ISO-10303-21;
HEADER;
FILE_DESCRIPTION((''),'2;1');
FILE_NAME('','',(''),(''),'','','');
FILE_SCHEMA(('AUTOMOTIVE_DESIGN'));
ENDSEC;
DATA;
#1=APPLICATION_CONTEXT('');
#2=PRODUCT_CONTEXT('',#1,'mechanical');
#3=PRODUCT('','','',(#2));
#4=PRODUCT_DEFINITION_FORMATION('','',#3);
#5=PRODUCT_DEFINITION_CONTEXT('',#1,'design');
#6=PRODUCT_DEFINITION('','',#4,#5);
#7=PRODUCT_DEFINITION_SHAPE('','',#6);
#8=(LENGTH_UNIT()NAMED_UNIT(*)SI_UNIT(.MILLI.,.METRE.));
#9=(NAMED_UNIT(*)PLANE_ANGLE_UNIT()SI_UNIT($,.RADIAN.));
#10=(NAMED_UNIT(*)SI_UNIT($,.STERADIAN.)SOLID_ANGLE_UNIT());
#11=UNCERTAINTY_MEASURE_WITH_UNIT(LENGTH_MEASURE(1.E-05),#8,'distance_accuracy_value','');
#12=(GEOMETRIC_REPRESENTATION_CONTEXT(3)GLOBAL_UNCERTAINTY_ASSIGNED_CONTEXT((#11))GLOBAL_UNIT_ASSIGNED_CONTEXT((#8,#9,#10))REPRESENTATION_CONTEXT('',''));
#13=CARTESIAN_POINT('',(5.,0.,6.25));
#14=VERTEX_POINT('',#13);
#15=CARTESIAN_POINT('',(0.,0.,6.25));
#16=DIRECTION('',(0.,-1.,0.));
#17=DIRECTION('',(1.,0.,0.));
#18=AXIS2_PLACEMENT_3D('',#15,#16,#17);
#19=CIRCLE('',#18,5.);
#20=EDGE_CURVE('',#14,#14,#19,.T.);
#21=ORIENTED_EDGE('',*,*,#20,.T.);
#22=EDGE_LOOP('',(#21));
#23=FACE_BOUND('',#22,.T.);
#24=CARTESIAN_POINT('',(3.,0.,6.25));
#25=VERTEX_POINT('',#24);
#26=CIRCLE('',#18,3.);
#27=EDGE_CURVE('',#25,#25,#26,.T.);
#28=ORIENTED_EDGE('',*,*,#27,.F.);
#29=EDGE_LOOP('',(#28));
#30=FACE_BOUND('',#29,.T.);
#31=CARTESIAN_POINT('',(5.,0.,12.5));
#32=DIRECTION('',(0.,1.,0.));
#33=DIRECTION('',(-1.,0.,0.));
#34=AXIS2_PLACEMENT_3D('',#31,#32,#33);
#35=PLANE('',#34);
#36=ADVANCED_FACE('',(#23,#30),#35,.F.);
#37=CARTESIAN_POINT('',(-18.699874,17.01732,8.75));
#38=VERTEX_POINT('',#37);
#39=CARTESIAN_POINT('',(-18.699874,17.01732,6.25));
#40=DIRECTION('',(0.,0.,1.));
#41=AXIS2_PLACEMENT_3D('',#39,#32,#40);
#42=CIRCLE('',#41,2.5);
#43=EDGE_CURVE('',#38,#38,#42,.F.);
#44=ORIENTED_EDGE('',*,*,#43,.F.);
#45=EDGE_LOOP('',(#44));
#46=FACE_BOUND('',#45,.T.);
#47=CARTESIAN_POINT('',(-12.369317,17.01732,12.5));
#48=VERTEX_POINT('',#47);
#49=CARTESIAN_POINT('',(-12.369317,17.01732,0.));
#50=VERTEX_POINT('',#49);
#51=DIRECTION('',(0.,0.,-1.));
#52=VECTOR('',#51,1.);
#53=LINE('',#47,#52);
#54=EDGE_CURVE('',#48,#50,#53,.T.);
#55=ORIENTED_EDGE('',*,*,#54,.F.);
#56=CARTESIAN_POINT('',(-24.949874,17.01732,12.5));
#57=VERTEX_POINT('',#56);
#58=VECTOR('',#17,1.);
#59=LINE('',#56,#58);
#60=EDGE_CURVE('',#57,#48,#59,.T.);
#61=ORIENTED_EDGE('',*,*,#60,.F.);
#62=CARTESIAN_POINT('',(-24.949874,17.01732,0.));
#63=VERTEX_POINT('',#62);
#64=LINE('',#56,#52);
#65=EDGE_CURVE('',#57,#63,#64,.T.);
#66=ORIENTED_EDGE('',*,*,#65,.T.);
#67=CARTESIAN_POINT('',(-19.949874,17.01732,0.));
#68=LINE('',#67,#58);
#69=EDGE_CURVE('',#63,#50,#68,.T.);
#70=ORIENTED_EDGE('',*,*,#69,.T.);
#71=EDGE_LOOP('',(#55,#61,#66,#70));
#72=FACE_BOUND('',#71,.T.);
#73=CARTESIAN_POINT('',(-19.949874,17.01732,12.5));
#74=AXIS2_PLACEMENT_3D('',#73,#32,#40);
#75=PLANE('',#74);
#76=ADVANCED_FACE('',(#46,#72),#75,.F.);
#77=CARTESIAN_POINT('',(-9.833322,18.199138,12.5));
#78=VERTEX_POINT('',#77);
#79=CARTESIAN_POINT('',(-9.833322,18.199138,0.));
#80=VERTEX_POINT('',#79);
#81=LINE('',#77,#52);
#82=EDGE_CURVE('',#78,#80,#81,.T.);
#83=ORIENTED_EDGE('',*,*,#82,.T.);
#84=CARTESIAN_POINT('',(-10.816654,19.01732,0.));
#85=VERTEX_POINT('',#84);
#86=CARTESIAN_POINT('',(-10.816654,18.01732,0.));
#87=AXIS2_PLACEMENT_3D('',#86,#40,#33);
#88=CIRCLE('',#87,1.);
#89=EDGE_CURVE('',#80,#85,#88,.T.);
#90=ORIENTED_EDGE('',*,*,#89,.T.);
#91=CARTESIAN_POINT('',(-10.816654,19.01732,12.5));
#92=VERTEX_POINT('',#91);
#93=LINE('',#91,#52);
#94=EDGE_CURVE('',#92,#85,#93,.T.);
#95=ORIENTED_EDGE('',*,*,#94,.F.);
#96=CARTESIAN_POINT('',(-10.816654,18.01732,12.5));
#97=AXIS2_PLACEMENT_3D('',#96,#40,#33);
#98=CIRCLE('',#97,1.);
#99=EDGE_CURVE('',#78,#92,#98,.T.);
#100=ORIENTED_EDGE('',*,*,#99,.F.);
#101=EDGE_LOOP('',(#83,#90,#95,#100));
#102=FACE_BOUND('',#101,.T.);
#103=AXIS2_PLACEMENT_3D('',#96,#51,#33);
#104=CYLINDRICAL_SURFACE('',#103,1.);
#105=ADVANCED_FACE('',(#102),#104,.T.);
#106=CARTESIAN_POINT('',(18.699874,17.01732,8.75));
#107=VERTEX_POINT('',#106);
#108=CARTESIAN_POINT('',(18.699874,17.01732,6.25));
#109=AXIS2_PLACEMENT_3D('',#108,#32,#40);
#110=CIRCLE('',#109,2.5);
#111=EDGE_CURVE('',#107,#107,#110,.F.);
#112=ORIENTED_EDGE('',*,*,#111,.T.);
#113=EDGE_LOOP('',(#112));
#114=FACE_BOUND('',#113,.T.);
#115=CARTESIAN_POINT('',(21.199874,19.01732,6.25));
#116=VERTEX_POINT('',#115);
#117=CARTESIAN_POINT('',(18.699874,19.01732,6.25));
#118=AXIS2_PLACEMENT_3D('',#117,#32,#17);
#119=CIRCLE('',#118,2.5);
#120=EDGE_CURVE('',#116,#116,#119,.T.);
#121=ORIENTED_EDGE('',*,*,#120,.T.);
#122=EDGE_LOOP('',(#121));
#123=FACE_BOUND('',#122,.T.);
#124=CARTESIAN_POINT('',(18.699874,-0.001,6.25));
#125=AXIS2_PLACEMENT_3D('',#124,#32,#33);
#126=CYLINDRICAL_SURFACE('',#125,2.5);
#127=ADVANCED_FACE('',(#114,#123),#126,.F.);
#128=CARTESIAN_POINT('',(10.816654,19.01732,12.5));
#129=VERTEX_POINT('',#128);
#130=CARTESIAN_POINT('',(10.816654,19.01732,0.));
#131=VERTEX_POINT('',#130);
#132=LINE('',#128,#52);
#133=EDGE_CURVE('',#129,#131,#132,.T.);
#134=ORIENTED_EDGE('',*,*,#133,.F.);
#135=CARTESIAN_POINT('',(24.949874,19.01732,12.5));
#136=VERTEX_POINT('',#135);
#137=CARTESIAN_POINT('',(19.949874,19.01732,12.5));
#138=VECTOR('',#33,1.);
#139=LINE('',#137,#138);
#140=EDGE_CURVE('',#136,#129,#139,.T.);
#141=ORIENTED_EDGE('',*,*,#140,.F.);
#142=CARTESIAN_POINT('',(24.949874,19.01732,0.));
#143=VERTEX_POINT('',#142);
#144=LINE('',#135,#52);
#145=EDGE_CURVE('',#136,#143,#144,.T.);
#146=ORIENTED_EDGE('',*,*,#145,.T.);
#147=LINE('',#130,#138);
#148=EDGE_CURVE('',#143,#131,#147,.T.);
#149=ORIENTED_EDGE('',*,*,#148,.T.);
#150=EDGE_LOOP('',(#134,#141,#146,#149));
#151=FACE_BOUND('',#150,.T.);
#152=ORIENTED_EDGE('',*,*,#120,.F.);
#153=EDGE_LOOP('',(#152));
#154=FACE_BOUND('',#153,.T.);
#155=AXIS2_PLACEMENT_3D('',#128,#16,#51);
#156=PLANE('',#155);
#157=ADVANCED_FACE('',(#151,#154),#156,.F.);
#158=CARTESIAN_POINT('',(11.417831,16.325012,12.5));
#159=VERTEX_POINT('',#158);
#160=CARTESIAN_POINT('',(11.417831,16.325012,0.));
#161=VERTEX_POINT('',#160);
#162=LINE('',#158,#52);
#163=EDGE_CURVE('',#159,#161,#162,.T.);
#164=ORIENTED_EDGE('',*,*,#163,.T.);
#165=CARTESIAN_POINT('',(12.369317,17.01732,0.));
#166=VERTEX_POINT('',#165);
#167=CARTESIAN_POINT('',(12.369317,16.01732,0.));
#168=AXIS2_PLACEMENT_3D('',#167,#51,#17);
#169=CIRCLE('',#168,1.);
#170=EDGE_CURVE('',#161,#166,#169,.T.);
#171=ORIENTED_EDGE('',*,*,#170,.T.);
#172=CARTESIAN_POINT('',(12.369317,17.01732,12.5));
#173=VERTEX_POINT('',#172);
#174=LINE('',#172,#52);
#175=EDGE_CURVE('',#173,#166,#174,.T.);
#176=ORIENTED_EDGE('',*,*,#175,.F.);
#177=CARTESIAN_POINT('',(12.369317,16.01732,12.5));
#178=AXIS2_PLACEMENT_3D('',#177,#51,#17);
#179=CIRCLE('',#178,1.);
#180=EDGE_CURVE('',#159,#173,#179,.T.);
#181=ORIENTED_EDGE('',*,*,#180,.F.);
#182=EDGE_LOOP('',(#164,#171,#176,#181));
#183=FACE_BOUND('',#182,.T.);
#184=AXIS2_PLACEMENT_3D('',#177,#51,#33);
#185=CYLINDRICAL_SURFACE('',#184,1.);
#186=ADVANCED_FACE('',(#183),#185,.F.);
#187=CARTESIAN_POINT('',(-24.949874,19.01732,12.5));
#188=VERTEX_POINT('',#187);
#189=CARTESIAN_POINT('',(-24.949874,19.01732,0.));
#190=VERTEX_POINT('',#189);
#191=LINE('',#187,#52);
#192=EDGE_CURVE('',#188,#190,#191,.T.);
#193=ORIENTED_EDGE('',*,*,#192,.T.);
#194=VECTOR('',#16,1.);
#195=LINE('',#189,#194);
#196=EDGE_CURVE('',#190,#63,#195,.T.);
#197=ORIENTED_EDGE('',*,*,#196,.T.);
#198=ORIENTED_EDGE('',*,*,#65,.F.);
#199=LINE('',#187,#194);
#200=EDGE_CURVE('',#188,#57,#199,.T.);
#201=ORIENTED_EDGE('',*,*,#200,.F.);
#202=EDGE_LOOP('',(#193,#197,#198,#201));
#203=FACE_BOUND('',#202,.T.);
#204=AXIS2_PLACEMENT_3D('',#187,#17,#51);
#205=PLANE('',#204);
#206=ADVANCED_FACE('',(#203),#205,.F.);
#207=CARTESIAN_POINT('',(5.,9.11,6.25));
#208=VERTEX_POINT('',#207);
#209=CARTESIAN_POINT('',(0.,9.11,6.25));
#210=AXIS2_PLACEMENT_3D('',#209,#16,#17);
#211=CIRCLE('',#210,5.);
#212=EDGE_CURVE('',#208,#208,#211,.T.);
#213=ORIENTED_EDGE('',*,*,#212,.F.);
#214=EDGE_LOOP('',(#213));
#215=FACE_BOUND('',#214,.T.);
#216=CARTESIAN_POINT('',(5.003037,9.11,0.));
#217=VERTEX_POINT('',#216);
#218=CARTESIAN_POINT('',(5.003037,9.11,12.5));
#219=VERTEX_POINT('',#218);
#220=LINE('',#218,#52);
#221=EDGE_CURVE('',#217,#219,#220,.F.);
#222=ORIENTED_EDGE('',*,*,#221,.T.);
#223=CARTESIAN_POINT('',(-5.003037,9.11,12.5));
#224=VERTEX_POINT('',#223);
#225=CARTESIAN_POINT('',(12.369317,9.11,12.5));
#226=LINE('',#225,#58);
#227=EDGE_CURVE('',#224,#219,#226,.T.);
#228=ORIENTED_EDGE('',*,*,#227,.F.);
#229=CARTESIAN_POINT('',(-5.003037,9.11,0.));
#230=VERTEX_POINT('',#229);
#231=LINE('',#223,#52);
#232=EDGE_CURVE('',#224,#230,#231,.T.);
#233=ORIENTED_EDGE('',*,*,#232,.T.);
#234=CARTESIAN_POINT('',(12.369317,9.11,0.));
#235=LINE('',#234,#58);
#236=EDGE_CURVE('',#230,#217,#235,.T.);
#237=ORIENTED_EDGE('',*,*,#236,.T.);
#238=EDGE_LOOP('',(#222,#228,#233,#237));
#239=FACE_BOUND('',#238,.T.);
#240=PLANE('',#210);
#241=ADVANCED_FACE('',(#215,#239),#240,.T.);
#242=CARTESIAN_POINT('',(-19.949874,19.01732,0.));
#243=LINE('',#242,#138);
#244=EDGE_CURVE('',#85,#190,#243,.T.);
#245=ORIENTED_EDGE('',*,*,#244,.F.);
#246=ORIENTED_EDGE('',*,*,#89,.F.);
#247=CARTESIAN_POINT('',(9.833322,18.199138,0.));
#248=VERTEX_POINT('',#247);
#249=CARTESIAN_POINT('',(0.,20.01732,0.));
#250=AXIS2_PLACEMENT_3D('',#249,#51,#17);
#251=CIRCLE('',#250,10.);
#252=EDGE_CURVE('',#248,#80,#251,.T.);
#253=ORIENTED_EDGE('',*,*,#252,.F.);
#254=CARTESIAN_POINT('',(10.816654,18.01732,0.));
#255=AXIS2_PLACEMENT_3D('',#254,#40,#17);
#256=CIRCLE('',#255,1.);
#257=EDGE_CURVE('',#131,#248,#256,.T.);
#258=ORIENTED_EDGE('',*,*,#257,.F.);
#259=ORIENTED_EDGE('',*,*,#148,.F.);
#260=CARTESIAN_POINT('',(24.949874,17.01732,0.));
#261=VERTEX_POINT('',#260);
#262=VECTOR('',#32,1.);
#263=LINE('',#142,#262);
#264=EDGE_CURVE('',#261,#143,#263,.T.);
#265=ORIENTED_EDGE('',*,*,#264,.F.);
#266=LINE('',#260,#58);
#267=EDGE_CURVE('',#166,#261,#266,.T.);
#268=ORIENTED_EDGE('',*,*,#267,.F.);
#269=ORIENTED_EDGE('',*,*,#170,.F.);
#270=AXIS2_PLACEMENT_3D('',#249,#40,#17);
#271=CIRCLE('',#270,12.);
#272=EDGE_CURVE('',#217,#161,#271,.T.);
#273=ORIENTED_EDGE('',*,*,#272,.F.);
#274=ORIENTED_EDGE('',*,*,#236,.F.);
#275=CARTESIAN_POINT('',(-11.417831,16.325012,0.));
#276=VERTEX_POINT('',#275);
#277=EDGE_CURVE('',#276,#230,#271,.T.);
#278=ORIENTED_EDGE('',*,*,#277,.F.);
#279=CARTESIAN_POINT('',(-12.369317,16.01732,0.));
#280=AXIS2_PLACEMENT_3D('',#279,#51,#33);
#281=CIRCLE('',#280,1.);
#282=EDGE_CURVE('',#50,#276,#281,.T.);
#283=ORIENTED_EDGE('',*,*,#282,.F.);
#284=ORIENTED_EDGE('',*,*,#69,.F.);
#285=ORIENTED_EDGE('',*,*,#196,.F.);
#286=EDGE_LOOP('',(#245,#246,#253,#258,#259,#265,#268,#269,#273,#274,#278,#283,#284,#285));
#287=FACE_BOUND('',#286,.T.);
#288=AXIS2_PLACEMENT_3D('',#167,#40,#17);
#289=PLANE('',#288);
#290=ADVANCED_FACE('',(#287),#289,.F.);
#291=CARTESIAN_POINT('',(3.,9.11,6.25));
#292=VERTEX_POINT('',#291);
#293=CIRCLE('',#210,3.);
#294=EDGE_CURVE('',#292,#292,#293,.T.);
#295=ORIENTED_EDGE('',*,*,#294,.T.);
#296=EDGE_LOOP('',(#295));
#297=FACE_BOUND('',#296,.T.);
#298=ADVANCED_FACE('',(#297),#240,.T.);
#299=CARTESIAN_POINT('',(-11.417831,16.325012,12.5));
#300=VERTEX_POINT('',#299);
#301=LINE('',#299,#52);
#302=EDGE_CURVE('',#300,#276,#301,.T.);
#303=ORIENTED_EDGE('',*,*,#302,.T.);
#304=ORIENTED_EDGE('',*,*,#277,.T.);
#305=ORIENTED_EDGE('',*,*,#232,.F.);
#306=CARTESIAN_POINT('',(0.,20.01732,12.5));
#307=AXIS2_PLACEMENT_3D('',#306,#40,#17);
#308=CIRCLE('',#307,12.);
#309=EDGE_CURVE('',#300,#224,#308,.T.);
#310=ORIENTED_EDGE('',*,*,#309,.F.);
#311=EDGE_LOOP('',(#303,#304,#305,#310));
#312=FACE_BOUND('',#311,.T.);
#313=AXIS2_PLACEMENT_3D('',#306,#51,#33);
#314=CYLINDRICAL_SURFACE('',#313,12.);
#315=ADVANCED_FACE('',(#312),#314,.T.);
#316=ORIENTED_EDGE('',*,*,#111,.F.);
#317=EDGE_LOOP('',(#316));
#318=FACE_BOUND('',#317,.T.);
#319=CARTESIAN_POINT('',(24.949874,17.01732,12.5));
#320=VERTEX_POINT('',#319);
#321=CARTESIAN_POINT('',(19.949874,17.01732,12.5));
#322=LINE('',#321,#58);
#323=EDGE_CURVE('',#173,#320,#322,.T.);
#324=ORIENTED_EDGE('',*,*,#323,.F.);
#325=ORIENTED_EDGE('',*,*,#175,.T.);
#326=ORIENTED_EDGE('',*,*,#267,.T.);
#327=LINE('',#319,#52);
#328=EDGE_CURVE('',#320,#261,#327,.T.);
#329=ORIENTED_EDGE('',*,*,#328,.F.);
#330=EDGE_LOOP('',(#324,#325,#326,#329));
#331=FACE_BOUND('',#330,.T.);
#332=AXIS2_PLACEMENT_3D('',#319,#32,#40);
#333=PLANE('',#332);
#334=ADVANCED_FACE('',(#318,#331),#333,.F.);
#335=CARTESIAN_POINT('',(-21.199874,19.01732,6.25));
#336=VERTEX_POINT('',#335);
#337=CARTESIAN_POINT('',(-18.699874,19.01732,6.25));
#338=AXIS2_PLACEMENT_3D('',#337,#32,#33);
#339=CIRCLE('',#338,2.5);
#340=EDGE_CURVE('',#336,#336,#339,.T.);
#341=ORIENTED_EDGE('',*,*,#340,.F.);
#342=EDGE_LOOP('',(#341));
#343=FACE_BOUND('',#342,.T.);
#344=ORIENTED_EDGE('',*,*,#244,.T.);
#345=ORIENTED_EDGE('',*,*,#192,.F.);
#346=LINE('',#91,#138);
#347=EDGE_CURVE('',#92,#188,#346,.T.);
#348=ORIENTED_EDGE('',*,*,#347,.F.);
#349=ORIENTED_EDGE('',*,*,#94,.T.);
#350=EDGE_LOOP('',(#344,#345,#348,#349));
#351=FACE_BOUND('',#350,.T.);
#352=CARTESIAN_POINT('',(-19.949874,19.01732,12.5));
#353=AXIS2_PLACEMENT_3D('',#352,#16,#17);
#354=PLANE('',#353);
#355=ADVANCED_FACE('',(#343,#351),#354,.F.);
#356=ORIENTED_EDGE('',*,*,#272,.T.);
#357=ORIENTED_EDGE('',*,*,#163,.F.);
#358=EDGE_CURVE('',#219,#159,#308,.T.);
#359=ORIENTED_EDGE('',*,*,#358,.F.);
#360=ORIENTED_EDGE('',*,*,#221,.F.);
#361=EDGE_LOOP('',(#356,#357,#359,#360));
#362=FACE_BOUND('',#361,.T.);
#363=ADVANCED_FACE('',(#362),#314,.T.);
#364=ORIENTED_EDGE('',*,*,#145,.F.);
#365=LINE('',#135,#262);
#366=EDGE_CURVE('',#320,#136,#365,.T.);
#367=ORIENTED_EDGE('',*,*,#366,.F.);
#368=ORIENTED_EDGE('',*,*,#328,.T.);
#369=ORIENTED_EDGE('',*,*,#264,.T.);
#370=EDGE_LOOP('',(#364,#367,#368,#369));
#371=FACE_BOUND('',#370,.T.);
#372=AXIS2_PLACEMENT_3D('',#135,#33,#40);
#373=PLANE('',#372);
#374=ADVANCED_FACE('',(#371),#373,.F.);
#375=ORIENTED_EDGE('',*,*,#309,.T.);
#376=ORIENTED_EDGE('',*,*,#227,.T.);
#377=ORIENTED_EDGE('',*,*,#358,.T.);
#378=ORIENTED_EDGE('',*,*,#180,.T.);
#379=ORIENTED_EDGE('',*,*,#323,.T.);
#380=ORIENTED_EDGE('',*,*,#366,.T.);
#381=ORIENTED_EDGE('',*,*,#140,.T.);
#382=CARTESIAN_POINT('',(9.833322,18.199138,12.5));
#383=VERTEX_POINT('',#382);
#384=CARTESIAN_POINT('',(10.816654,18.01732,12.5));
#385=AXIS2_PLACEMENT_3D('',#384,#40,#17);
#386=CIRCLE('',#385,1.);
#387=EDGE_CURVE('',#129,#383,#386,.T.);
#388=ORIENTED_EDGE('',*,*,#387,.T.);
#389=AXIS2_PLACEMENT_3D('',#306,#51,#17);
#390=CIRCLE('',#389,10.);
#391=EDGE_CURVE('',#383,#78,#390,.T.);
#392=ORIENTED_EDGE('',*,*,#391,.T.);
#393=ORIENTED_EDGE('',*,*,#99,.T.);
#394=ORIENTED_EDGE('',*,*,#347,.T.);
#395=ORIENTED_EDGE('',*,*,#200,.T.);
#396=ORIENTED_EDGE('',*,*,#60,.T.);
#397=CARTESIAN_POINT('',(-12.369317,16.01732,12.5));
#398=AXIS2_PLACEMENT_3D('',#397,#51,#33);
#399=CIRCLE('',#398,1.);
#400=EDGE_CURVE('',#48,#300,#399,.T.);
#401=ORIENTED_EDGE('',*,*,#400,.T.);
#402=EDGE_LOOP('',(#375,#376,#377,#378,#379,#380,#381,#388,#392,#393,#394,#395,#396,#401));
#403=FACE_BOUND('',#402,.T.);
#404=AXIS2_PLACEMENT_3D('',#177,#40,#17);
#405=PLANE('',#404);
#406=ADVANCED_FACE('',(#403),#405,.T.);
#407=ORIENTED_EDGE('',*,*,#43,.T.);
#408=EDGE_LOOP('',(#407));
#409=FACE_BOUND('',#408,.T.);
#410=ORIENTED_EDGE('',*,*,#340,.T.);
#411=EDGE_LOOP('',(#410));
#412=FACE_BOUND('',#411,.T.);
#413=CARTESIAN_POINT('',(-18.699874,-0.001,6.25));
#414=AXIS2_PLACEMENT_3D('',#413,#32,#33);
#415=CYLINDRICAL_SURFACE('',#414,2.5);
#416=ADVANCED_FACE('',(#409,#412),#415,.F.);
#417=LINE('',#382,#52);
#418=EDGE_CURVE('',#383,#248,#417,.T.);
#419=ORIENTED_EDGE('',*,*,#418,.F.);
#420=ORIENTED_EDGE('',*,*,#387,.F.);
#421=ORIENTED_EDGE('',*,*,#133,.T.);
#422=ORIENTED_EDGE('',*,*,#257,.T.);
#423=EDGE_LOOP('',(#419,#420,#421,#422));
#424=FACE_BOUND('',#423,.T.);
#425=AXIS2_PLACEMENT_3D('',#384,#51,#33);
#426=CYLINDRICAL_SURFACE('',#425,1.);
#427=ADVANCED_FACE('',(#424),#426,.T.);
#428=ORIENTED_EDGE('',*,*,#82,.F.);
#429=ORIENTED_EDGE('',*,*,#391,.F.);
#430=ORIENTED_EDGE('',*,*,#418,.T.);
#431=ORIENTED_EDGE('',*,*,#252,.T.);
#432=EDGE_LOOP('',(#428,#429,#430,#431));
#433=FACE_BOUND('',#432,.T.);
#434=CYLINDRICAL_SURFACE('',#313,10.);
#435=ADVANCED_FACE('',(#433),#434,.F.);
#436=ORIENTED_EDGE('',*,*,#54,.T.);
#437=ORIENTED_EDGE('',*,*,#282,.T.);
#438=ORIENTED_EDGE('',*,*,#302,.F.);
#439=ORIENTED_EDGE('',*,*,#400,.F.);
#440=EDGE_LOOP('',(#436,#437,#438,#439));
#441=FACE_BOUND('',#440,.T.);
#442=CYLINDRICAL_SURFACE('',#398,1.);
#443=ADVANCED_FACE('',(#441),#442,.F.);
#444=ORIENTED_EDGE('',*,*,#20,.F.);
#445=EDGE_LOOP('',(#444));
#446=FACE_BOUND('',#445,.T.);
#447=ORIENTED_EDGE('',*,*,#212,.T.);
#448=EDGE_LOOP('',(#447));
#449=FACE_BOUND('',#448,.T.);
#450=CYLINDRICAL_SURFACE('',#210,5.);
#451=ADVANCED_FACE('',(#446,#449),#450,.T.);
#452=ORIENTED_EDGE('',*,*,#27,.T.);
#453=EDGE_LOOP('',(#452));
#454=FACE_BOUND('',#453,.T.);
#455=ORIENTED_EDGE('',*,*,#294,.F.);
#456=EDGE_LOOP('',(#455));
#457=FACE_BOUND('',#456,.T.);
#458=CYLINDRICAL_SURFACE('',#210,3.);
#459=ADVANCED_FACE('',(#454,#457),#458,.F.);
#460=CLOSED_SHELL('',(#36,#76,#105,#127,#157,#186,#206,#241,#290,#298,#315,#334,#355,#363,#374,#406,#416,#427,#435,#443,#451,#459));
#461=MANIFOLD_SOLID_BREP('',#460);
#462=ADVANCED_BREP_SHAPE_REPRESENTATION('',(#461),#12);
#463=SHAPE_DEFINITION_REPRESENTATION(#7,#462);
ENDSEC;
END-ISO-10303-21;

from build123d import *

# Parameters (mm, degrees)
BOSS_EXTRUDE1_DEPTH = 12.5
SKETCH4_OUTSIDE_W   = 62.868
SKETCH4_OUTSIDE_H   = 25.468
SKETCH4_OUTSIDE_R   = 5
CUT_EXTRUDE6_DEPTH  = 9.11
SKETCH5_R           = 3
CUT_EXTRUDE7_DEPTH  = 9.11
CUT_EXTRUDE8_REACH  = 21.017
SKETCH6_R           = 2.5


with BuildPart() as part:
    # Sketch1 → Boss-Extrude1 (new body)
    with BuildSketch(Plane.XY):
        with BuildLine():
            Line((-10.816653826, 19.01731952), (-19.949874371, 19.01731952))
            Line((-19.949874371, 19.01731952), (-24.949874371, 19.01731952))
            Line((-24.949874371, 19.01731952), (-24.949874371, 17.01731952))
            Line((-24.949874371, 17.01731952), (-19.949874371, 17.01731952))
            Line((-19.949874371, 17.01731952), (-12.369316877, 17.01731952))
            ThreePointArc((-12.369316877, 17.01731952), (-11.780968471, 16.82592706), (-11.417830963, 16.325011828))
            ThreePointArc((-11.417830963, 16.325011828), (-8.966906745, 12.042698311), (-5, 9.108607405))
            Line((-5, 9.108607405), (-5, 0))
            Line((-5, 0), (5, 0))
            Line((5, 0), (5, 9.108607405))
            ThreePointArc((5, 9.108607405), (8.966906745, 12.042698311), (11.417830963, 16.325011828))
            ThreePointArc((11.417830963, 16.325011828), (11.780968471, 16.82592706), (12.369316877, 17.01731952))
            Line((12.369316877, 17.01731952), (19.949874371, 17.01731952))
            Line((19.949874371, 17.01731952), (24.949874371, 17.01731952))
            Line((24.949874371, 17.01731952), (24.949874371, 19.01731952))
            Line((24.949874371, 19.01731952), (19.949874371, 19.01731952))
            Line((19.949874371, 19.01731952), (10.816653826, 19.01731952))
            ThreePointArc((10.816653826, 19.01731952), (10.177051677, 18.786025635), (9.83332166, 18.199137702))
            ThreePointArc((9.83332166, 18.199137702), (0, 10.01731952), (-9.83332166, 18.199137702))
            ThreePointArc((-9.83332166, 18.199137702), (-10.177051677, 18.786025635), (-10.816653826, 19.01731952))
        make_face()
    extrude(amount=BOSS_EXTRUDE1_DEPTH)

    # Sketch4 outside → Cut-Extrude6 (cut)
    with BuildSketch(Plane.XZ):
        with Locations((0, 6.25)):
            Rectangle(SKETCH4_OUTSIDE_W, SKETCH4_OUTSIDE_H)
        with Locations((0, 6.25)):
            Circle(SKETCH4_OUTSIDE_R, mode=Mode.SUBTRACT)
    extrude(amount=-CUT_EXTRUDE6_DEPTH, mode=Mode.SUBTRACT)

    # Sketch5 → Cut-Extrude7 (cut)
    with BuildSketch(Plane.XZ):
        with Locations((0, 6.25)):
            Circle(SKETCH5_R)
    extrude(amount=-CUT_EXTRUDE7_DEPTH, mode=Mode.SUBTRACT)

    # Sketch6 → Cut-Extrude8 (cut, up to next)
    with BuildSketch(Plane(origin=(0, 19.01731952, 0), x_dir=(1, 0, 0), z_dir=(0, 1, 0)), mode=Mode.PRIVATE) as cut_extrude8_sk1:
        with Locations((-18.699874371, -6.25)):
            Circle(SKETCH6_R)
    cut_extrude8_tool1 = extrude(cut_extrude8_sk1.sketch, amount=-CUT_EXTRUDE8_REACH, mode=Mode.PRIVATE) & part.part
    add(cut_extrude8_tool1.solids().sort_by_distance((-18.699874, 19.01732, 6.25))[0], mode=Mode.SUBTRACT)
    # Sketch6 → Cut-Extrude8 (cut, up to next)
    with BuildSketch(Plane(origin=(0, 19.01731952, 0), x_dir=(1, 0, 0), z_dir=(0, 1, 0)), mode=Mode.PRIVATE) as cut_extrude8_sk2:
        with Locations((18.699874371, -6.25)):
            Circle(SKETCH6_R)
    cut_extrude8_tool2 = extrude(cut_extrude8_sk2.sketch, amount=-CUT_EXTRUDE8_REACH, mode=Mode.PRIVATE) & part.part
    add(cut_extrude8_tool2.solids().sort_by_distance((18.699874, 19.01732, 6.25))[0], mode=Mode.SUBTRACT)


solid = part.part
